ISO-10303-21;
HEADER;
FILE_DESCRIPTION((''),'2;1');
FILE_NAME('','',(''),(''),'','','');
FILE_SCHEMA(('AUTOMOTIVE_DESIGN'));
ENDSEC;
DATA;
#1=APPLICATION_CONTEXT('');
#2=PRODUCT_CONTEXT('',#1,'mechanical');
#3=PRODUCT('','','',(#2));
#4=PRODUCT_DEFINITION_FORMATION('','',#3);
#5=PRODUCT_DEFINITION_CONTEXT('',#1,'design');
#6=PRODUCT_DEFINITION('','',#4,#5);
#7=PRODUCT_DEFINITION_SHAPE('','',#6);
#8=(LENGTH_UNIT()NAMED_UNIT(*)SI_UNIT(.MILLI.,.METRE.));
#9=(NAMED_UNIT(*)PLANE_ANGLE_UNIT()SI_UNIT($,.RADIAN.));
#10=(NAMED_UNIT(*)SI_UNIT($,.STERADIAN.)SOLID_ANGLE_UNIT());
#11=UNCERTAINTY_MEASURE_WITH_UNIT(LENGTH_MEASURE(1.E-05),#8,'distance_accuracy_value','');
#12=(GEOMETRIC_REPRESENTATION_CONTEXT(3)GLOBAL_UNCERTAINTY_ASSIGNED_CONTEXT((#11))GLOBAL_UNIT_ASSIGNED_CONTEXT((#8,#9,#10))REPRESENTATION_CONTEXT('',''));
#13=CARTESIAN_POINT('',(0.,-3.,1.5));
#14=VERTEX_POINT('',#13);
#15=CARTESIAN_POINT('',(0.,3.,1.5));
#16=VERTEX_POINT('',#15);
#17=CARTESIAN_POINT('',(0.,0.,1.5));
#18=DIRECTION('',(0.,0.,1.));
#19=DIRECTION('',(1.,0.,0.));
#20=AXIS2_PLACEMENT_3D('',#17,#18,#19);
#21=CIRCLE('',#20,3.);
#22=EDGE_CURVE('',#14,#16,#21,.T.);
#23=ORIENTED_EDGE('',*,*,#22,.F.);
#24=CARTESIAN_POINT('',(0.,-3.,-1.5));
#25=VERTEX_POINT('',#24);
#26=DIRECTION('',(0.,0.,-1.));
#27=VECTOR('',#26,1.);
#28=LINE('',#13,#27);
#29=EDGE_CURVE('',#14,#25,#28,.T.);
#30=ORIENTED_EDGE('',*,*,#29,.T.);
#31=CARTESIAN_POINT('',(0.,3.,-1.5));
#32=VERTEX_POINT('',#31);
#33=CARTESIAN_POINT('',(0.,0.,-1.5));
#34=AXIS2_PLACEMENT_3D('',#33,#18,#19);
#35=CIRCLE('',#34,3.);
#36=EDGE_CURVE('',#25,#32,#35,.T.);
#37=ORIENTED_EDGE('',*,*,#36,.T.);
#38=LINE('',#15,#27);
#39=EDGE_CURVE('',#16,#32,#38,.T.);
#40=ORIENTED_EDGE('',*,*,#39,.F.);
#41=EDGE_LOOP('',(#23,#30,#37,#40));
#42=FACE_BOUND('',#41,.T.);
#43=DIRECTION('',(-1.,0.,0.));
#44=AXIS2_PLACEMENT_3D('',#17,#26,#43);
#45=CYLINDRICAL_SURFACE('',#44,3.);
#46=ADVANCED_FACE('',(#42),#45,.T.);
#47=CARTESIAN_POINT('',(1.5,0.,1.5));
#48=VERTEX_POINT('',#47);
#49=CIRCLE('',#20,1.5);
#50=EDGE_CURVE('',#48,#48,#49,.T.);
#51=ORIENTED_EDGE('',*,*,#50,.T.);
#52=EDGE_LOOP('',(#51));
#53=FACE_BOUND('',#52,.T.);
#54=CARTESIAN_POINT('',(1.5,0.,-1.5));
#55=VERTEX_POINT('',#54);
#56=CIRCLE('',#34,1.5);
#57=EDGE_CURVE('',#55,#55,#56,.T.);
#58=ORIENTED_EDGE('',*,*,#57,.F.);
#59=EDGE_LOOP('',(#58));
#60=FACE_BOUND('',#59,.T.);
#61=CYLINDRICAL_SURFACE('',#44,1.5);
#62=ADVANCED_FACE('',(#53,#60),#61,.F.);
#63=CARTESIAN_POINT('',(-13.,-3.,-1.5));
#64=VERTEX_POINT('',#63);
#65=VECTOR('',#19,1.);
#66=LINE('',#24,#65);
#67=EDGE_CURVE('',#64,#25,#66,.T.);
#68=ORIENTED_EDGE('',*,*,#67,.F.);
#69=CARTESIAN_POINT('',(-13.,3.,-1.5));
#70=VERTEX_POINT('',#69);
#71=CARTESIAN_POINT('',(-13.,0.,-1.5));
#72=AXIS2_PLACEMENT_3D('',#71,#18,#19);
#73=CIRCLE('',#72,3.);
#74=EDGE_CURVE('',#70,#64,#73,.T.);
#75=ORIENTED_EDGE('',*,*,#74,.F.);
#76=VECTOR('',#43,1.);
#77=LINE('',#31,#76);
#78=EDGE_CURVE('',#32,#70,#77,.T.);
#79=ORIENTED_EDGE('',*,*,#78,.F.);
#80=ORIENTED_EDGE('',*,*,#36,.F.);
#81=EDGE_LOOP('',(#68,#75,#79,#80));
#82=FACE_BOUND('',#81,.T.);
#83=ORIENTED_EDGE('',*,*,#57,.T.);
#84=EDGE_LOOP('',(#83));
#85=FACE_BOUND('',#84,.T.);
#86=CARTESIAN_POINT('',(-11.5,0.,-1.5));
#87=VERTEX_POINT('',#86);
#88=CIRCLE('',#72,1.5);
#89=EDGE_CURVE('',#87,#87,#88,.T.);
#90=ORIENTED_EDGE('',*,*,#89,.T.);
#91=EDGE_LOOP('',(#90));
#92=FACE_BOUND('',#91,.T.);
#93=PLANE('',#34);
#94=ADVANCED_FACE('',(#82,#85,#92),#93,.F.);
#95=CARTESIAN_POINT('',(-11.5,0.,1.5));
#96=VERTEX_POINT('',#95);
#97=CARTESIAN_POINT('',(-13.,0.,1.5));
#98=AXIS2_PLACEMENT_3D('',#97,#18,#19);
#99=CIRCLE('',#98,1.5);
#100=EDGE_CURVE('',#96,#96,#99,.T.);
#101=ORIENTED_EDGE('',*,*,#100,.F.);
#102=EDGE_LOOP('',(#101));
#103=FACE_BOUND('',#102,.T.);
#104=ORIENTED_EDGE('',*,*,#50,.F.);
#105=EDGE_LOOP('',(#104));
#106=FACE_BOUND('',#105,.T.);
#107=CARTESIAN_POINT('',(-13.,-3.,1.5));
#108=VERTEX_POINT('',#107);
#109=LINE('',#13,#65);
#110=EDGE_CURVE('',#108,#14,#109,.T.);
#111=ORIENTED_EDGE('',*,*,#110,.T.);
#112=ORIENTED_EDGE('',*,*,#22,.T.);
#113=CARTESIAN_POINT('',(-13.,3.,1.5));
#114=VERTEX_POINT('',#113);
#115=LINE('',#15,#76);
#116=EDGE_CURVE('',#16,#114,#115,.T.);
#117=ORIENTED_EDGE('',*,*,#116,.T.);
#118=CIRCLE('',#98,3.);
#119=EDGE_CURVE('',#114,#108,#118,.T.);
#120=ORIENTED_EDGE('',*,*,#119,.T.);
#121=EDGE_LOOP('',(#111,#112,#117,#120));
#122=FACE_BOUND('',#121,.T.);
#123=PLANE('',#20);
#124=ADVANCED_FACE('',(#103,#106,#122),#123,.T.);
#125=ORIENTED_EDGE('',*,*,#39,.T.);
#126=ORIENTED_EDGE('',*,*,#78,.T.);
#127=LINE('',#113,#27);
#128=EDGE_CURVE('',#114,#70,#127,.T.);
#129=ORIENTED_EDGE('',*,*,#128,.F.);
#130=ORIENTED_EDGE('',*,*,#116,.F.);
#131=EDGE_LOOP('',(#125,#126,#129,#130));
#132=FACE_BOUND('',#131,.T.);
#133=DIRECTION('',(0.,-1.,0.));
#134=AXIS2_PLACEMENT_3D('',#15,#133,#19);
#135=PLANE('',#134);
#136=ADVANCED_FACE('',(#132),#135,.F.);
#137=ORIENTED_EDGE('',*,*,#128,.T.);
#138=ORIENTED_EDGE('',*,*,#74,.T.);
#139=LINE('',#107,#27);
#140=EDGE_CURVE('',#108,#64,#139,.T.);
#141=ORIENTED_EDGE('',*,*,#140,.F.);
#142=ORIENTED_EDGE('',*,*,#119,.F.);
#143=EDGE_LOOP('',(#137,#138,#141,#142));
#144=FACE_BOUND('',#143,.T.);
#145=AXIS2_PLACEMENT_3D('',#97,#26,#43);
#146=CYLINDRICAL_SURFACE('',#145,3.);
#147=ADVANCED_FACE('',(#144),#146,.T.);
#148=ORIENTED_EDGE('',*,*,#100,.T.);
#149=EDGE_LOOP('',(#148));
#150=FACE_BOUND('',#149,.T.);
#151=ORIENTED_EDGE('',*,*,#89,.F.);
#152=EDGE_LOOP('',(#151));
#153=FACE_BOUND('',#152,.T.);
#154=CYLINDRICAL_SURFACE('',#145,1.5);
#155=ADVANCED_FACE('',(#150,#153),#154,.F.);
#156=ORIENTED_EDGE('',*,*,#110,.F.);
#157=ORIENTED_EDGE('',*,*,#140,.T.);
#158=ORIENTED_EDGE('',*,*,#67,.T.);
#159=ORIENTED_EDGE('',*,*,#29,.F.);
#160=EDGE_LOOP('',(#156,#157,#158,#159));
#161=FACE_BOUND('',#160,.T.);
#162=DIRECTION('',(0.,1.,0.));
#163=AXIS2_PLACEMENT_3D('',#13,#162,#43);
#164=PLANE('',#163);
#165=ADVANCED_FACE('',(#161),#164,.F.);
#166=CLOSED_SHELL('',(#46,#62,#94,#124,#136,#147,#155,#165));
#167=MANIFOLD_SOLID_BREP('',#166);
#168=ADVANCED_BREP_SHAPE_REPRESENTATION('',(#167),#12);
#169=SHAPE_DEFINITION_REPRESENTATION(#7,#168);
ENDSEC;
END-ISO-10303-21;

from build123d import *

# Parameters (mm, degrees)
SKETCH_1_R      = 1.5
EXTRUDE_1_DEPTH = 1.5


with BuildPart() as part:
    # 草图1 → 凸台-拉伸1 (new, symmetric)
    with BuildSketch(Plane.XY):
        with BuildLine():
            Line((0, -3), (-13, -3))
            ThreePointArc((-13, -3), (-16, 0), (-13, 3))
            Line((-13, 3), (0, 3))
            ThreePointArc((0, 3), (3, 0), (0, -3))
        make_face()
        with Locations((-13, 0)):
            Circle(SKETCH_1_R, mode=Mode.SUBTRACT)
        Circle(SKETCH_1_R, mode=Mode.SUBTRACT)
    extrude(amount=EXTRUDE_1_DEPTH, both=True)


solid = part.part
